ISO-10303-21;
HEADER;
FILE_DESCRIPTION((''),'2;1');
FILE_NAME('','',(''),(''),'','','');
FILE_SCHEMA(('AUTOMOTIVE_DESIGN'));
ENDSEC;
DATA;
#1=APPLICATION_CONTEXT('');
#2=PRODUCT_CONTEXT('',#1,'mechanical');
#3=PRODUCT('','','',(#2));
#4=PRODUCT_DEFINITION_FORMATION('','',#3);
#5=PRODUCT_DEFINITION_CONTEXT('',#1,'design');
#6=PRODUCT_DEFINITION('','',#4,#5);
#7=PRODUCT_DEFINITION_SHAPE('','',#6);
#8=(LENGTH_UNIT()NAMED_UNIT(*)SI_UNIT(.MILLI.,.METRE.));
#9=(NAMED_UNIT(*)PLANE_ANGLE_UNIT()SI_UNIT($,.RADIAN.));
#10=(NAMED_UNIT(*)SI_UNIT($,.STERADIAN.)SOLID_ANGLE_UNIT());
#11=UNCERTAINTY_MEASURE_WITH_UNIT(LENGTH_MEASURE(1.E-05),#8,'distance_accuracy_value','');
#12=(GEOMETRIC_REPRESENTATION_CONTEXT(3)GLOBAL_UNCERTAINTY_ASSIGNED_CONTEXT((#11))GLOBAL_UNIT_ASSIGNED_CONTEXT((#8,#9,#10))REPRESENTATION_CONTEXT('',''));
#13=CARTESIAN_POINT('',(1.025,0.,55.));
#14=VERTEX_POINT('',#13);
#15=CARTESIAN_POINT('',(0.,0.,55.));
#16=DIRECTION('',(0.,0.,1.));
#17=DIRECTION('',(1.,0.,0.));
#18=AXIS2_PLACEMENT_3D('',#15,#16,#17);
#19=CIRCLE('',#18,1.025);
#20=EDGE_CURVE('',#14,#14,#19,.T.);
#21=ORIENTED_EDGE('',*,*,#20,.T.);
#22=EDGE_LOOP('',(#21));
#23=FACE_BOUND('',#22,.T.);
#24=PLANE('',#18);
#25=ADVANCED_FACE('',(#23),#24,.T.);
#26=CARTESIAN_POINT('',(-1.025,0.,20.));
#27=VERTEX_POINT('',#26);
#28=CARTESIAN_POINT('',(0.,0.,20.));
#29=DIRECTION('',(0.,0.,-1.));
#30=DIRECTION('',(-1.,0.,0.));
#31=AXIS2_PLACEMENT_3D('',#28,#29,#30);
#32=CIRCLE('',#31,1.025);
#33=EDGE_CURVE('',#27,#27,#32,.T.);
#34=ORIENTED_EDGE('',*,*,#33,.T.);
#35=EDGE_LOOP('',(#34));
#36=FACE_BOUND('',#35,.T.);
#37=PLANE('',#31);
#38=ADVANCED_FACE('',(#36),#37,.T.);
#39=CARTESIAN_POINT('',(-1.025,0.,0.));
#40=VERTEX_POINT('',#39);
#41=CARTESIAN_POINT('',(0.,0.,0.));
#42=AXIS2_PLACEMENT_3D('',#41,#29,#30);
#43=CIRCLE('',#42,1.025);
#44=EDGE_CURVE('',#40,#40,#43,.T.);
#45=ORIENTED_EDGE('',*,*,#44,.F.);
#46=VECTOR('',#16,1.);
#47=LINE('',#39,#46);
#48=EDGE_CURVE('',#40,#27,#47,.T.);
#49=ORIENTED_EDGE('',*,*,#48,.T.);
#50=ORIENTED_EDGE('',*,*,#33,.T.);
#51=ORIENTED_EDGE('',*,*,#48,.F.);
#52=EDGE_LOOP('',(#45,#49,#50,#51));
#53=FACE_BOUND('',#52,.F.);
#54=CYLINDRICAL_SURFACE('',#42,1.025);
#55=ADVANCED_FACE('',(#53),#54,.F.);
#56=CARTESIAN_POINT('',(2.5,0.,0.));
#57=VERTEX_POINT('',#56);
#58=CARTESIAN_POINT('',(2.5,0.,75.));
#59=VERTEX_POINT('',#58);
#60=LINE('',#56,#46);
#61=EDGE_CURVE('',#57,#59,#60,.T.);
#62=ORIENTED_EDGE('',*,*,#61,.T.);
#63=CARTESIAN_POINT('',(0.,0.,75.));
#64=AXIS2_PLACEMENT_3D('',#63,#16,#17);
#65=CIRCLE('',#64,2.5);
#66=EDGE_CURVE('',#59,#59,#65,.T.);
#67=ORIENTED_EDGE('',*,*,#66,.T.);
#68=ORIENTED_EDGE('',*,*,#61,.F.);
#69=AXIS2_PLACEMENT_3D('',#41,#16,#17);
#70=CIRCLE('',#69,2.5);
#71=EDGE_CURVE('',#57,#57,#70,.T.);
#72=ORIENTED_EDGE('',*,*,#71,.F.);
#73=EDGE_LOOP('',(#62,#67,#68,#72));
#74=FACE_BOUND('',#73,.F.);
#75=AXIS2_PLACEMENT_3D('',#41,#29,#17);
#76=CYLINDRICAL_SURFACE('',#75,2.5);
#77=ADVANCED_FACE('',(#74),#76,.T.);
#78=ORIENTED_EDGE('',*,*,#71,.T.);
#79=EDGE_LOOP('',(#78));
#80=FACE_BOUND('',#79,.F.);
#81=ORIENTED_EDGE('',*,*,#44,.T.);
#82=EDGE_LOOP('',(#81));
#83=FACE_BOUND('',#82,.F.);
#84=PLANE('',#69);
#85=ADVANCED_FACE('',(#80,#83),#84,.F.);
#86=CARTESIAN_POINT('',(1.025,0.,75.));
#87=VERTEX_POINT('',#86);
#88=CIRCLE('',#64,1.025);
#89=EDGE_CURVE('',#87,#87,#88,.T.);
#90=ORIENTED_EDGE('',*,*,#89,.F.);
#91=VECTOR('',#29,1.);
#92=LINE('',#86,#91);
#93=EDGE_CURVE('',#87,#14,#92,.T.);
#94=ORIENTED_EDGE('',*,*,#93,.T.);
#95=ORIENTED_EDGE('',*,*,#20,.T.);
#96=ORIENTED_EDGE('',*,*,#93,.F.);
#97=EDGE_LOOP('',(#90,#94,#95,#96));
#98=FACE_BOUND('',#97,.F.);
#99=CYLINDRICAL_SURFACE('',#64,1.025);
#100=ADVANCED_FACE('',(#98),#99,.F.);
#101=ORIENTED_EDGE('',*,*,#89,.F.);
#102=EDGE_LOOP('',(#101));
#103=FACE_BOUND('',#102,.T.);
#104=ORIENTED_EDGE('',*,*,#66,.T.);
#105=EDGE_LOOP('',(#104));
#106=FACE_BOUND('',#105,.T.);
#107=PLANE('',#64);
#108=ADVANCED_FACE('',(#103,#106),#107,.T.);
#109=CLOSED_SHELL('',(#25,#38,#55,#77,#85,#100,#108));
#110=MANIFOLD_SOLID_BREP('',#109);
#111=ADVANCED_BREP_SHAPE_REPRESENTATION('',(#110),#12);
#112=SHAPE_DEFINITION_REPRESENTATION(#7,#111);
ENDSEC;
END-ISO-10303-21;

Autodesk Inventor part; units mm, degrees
ref_plane "YZ Plane" through (0, 0, 0) normal (1, 0, 0) x (0, 1, 0)
ref_plane "XZ Plane" through (0, 0, 0) normal (0, 1, 0) x (-1, 0, 0)
ref_plane "XY Plane" through (0, 0, 0) normal (0, 0, 1) x (1, 0, 0)
sketch "Sketch1" plane through (0, 0, 0) normal (0, 0, 1) x (1, 0, 0)
  circle A0 centre (0, 0) radius 2.5
  dimension "d0" = 5
extrude "Extrusion1" add sketch "Sketch1" along normal blind 75
sketch "Sketch2" plane through (0, 0, 75) normal (0, 0, 1) x (1, 0, 0)
  circle A0 centre (0, 0) radius 1.025
  dimension "d3" = 2.05
extrude "Extrusion2" cut sketch "Sketch2" against normal blind 20
sketch "Sketch3" plane through (0, 0, 0) normal (0, 0, -1) x (-1, 0, 0)
  circle A0 centre (0, 0) radius 1.025 projected
extrude "Extrusion3" cut sketch "Sketch3" against normal blind 20
properties part number "AxisLinear" material "Stainless Steel"
